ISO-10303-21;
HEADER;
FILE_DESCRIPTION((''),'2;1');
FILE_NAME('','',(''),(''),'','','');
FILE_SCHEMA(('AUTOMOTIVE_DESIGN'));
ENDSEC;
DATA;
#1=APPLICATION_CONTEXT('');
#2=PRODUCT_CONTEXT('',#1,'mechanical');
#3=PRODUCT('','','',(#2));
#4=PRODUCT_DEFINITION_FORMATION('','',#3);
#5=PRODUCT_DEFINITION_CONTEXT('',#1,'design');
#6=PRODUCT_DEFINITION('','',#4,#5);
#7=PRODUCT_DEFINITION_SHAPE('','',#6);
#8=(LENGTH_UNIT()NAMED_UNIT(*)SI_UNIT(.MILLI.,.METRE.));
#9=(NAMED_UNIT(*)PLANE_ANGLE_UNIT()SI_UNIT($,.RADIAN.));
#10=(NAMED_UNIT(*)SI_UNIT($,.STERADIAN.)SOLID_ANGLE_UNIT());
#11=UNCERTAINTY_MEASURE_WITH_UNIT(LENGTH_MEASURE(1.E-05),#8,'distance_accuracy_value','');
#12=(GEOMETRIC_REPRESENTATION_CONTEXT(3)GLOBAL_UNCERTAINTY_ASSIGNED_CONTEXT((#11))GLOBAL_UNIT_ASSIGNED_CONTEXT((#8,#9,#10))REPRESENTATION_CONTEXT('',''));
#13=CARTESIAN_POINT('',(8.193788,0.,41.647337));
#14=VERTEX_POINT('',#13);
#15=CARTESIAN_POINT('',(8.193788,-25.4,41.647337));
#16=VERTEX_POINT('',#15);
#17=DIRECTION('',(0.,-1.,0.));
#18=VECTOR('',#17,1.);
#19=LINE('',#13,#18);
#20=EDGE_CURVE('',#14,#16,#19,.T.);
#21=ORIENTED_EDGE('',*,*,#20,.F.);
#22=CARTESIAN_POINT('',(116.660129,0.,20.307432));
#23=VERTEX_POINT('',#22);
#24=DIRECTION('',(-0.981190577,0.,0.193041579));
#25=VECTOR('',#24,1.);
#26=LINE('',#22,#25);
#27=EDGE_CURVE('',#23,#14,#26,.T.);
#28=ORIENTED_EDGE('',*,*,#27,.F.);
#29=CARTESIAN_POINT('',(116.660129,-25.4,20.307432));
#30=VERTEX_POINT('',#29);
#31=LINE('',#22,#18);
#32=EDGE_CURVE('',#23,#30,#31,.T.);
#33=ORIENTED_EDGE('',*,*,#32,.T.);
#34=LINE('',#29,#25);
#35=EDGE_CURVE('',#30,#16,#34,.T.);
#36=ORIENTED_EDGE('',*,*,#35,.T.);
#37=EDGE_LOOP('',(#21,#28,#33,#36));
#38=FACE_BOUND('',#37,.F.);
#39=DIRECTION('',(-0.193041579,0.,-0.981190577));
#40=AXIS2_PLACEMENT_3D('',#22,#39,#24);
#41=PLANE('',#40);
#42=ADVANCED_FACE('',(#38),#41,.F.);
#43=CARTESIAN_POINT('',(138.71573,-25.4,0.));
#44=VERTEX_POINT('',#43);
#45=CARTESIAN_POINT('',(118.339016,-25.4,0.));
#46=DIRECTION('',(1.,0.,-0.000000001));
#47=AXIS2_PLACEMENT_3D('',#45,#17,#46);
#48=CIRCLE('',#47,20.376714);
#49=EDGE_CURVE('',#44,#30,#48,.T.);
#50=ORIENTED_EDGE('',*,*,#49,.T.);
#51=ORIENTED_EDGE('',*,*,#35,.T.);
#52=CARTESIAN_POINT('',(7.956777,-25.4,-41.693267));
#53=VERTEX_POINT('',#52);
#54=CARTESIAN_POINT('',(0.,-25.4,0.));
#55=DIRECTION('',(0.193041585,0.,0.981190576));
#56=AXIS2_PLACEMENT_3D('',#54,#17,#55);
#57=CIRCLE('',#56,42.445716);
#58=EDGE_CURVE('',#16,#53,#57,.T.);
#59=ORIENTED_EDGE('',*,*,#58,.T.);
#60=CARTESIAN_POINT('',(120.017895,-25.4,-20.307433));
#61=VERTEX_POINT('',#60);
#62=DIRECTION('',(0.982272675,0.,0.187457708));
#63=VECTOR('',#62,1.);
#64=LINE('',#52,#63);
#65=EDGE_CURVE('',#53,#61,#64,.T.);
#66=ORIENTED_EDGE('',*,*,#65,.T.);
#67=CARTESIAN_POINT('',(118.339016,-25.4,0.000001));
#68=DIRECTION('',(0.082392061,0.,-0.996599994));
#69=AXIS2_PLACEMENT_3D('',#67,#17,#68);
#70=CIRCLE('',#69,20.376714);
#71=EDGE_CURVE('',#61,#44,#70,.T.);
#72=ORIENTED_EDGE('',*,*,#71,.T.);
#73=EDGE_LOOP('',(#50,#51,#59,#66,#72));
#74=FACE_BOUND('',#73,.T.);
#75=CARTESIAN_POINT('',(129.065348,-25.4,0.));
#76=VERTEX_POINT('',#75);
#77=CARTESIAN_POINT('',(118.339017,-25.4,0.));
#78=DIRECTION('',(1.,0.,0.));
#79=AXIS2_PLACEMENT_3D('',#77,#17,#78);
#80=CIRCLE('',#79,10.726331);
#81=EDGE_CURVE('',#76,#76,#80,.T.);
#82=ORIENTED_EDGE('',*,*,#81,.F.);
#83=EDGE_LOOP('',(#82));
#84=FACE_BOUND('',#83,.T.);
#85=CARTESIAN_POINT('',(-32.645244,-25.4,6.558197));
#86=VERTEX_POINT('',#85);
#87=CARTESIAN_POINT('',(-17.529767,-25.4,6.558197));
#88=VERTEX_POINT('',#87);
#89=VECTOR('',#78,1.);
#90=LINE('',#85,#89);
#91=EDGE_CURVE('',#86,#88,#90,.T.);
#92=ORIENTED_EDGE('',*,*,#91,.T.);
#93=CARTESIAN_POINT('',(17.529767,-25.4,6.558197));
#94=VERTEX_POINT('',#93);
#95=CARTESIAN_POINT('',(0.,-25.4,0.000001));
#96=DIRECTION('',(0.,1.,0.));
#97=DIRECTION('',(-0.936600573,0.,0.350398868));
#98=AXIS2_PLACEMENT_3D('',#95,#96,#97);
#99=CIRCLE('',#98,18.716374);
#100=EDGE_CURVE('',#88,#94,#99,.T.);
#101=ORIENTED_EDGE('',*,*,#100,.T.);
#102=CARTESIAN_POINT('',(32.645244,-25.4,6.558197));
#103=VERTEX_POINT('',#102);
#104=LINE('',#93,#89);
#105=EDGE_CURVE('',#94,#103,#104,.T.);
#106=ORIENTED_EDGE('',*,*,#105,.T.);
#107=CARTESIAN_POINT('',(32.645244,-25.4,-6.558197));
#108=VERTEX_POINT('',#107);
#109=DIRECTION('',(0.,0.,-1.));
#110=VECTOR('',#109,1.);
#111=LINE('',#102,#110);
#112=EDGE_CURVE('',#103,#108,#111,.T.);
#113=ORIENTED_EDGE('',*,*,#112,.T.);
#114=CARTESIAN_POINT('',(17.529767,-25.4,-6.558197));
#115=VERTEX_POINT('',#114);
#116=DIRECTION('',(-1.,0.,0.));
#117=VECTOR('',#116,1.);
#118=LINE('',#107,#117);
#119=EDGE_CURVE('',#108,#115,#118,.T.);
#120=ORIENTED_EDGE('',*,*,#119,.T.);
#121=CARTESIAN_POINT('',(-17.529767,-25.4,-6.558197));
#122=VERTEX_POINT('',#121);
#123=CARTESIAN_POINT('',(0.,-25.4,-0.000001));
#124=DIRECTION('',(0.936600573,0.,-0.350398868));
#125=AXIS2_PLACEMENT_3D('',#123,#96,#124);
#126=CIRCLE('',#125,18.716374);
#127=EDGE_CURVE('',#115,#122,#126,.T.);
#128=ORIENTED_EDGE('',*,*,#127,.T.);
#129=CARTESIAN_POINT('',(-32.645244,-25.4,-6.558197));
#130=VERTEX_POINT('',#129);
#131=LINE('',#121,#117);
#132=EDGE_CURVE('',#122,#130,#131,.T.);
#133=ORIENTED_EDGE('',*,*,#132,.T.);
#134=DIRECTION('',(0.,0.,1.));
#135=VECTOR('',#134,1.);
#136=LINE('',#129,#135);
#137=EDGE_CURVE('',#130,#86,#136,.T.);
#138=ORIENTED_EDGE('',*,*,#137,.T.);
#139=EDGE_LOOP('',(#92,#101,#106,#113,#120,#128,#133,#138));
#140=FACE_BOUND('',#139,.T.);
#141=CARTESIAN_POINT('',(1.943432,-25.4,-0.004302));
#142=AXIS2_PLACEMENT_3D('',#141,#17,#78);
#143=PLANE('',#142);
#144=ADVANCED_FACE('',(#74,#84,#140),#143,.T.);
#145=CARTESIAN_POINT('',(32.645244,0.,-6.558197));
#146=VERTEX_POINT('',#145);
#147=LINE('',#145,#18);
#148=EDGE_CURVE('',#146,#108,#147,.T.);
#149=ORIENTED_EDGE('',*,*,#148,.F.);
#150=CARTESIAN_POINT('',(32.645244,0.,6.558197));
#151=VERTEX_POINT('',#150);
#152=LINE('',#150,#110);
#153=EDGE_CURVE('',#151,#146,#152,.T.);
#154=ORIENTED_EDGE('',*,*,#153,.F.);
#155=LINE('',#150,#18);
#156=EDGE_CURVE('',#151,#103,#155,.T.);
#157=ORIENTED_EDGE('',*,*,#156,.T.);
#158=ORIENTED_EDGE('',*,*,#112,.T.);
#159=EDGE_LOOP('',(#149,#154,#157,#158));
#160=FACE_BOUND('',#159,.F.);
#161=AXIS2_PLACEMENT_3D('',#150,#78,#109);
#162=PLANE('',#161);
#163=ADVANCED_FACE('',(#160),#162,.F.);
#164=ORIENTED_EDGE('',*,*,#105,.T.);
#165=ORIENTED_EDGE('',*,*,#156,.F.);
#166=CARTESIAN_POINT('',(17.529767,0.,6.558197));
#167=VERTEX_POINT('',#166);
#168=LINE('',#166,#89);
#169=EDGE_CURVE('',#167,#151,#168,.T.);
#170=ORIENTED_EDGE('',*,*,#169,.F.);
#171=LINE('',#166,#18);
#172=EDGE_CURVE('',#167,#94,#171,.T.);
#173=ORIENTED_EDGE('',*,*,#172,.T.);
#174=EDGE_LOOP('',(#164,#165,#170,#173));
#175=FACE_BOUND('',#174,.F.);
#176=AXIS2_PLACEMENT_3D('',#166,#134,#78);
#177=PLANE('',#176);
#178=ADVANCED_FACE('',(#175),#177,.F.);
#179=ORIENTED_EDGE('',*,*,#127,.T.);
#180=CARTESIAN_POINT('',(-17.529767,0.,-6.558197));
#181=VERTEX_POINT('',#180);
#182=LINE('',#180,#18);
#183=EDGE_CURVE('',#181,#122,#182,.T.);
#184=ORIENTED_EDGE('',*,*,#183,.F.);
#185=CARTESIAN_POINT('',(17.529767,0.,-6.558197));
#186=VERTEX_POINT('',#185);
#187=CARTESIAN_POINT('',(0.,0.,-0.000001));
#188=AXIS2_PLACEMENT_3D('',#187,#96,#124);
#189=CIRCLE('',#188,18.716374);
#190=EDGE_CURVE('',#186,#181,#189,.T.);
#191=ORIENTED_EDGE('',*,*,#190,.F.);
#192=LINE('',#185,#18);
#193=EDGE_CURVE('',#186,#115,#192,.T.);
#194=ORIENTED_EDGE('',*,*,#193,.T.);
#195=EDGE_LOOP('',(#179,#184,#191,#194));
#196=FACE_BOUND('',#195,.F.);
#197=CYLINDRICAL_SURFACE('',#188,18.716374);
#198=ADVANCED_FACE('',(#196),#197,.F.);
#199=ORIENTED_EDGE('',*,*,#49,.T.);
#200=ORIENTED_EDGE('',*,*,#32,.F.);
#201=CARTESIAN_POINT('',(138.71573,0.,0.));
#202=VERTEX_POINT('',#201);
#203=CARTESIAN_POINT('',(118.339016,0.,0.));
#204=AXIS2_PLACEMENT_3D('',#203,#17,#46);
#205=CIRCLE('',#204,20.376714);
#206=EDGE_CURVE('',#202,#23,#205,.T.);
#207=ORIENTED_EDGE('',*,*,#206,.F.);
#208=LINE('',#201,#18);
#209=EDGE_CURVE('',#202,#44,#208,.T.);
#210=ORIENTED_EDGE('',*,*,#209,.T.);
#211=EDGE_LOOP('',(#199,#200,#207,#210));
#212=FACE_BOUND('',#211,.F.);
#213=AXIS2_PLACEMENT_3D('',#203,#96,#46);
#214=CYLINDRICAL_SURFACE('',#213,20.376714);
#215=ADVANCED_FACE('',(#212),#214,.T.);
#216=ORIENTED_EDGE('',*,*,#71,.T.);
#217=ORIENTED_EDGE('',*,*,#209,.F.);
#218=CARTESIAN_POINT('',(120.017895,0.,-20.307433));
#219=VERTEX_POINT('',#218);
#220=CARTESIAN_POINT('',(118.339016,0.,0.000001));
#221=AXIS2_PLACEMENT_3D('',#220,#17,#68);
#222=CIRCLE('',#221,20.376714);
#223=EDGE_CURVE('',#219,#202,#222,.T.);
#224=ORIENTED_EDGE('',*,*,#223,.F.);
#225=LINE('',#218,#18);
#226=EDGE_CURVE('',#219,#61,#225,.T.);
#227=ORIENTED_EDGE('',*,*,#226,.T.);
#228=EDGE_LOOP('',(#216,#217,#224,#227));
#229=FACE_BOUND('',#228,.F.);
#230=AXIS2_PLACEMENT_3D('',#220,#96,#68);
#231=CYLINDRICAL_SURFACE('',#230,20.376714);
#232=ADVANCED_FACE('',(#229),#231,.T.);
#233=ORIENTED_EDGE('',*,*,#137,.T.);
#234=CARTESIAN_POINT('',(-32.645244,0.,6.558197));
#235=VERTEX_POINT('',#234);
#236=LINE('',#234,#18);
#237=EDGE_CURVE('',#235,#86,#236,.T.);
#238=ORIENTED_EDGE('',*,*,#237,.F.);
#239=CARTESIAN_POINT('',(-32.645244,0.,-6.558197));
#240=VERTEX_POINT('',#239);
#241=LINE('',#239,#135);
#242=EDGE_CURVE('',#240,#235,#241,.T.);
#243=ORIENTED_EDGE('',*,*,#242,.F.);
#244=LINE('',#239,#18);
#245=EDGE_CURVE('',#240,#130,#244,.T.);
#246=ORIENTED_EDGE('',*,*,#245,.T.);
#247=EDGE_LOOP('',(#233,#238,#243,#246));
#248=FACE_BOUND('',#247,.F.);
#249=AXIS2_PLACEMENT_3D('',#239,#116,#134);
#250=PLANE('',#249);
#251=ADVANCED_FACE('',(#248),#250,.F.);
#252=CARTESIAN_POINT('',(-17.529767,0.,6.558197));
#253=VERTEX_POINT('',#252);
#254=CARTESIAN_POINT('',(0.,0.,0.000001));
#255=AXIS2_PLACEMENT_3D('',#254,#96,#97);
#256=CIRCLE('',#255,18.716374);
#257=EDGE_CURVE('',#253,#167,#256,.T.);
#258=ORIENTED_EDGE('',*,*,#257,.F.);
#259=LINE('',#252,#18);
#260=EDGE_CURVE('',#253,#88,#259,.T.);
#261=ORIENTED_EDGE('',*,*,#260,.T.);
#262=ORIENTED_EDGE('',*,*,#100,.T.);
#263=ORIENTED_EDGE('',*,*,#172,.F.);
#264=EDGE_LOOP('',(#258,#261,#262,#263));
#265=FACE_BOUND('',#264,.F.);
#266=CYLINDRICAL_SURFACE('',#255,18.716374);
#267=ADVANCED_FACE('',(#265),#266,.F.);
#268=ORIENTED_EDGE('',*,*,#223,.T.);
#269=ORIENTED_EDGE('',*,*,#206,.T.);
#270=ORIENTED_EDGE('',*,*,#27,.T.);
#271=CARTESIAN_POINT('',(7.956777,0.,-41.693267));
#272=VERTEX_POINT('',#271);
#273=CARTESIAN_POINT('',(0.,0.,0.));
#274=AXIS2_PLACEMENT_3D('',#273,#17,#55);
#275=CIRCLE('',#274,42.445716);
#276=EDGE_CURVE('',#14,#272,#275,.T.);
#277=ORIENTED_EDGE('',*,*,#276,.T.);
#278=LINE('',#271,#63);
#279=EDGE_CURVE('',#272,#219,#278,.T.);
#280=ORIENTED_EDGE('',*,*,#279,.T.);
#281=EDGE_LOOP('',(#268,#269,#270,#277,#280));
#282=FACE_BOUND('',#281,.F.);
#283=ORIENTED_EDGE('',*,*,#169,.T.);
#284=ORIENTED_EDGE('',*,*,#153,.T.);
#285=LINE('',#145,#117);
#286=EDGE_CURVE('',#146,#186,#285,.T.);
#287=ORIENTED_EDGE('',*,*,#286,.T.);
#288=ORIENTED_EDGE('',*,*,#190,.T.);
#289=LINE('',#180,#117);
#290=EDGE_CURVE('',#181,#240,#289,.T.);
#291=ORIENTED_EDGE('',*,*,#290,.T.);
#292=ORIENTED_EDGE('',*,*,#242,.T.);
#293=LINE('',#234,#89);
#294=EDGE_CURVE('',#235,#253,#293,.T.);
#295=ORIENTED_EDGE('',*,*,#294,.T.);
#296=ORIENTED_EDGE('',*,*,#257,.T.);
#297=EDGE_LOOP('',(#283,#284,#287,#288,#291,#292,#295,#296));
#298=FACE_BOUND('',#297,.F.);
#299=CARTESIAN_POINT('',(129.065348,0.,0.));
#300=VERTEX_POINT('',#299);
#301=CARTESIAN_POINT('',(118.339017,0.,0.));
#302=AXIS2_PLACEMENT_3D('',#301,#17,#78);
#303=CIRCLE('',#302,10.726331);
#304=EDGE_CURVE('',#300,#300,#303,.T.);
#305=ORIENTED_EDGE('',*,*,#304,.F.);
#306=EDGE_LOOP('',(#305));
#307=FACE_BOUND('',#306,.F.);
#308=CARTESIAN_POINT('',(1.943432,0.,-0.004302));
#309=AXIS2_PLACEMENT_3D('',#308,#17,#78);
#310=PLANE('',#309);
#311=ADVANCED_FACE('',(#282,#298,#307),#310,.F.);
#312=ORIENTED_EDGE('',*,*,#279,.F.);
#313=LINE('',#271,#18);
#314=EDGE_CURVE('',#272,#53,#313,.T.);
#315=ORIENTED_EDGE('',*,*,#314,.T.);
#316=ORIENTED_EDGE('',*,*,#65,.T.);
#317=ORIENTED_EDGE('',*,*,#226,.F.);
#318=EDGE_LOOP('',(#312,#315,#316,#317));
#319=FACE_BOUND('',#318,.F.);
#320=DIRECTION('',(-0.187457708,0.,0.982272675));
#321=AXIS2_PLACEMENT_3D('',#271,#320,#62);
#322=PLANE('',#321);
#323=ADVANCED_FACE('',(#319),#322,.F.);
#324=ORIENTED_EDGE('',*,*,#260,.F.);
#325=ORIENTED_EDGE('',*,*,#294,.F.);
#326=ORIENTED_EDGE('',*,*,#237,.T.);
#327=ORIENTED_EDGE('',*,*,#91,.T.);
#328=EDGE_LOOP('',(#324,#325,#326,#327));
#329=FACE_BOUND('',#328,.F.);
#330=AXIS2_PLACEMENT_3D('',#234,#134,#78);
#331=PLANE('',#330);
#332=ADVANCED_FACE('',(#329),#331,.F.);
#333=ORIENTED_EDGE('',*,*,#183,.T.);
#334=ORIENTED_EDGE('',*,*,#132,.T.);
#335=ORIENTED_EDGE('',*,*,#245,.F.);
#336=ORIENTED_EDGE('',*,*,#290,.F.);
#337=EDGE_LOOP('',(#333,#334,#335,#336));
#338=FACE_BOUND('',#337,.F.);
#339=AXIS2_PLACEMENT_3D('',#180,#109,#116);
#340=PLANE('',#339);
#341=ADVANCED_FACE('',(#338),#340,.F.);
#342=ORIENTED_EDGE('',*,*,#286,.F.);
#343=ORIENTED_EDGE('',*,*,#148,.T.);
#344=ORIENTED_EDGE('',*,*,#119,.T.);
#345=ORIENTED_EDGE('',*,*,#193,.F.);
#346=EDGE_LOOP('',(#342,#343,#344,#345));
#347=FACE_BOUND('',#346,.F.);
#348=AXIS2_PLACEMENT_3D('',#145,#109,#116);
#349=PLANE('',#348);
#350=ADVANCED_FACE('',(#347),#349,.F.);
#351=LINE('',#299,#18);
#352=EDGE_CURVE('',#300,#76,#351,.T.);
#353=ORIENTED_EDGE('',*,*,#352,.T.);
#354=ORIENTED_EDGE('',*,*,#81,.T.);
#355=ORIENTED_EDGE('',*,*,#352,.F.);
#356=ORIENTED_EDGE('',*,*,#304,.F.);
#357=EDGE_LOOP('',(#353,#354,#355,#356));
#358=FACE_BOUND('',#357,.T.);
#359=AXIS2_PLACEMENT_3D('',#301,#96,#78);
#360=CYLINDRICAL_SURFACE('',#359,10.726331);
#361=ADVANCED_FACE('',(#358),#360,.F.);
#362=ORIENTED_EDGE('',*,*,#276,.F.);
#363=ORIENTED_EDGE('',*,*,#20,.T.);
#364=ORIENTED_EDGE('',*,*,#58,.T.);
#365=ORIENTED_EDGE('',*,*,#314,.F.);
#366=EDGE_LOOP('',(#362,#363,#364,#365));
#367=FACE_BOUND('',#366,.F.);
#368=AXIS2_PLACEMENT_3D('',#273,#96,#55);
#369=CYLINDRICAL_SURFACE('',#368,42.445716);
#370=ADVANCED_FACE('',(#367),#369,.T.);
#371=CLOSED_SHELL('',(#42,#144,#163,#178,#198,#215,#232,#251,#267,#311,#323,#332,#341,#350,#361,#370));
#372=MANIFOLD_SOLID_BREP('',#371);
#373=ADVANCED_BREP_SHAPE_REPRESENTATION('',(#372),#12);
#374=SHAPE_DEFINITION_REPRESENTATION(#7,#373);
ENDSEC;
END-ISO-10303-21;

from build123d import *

# Parameters (mm, degrees)
F0_R     = 10.726331
F1_DEPTH = 25.4


with BuildPart() as f1:
    # F0 (on Front) → F1 (new body)
    with BuildSketch(Plane.XZ):
        with BuildLine():
            ThreePointArc((7.956777, -41.693267), (32.706039, -27.054646), (42.445716, 0))
            ThreePointArc((42.445716, 0), (32.782846, 26.961525), (8.193788, 41.647337))
            ThreePointArc((8.193788, 41.647337), (-42.445545, 0.12071), (7.956777, -41.693267))
        make_face()
        with BuildLine():
            ThreePointArc((-17.529767, 6.558197), (0, 18.716375), (17.529767, 6.558197))
            Line((17.529767, 6.558197), (32.645244, 6.558197))
            Line((32.645244, 6.558197), (32.645244, -6.558197))
            Line((32.645244, -6.558197), (17.529767, -6.558197))
            ThreePointArc((17.529767, -6.558197), (0, -18.716375), (-17.529767, -6.558197))
            Line((-17.529767, -6.558197), (-32.645244, -6.558197))
            Line((-32.645244, -6.558197), (-32.645244, 6.558197))
            Line((-32.645244, 6.558197), (-17.529767, 6.558197))
        make_face(mode=Mode.SUBTRACT)
        with BuildLine():
            ThreePointArc((8.193788, 41.647337), (32.782846, 26.961525), (42.445716, 0))
            ThreePointArc((42.445716, 0), (32.706039, -27.054646), (7.956777, -41.693267))
            Line((7.956777, -41.693267), (120.017895, -20.307433))
            ThreePointArc((120.017895, -20.307433), (98.031585, -1.678883), (116.660129, 20.307432))
            Line((116.660129, 20.307432), (8.193788, 41.647337))
        make_face()
        with BuildLine():
            ThreePointArc((138.71573, 0), (132.141195, 14.990341), (116.660129, 20.307432))
            ThreePointArc((116.660129, 20.307432), (98.031585, -1.678883), (120.017895, -20.307433))
            ThreePointArc((120.017895, -20.307433), (133.329355, -13.802181), (138.71573, 0))
        make_face()
        with Locations((118.339017, 0)):
            Circle(F0_R, mode=Mode.SUBTRACT)
    extrude(amount=F1_DEPTH)


solid = f1.part
